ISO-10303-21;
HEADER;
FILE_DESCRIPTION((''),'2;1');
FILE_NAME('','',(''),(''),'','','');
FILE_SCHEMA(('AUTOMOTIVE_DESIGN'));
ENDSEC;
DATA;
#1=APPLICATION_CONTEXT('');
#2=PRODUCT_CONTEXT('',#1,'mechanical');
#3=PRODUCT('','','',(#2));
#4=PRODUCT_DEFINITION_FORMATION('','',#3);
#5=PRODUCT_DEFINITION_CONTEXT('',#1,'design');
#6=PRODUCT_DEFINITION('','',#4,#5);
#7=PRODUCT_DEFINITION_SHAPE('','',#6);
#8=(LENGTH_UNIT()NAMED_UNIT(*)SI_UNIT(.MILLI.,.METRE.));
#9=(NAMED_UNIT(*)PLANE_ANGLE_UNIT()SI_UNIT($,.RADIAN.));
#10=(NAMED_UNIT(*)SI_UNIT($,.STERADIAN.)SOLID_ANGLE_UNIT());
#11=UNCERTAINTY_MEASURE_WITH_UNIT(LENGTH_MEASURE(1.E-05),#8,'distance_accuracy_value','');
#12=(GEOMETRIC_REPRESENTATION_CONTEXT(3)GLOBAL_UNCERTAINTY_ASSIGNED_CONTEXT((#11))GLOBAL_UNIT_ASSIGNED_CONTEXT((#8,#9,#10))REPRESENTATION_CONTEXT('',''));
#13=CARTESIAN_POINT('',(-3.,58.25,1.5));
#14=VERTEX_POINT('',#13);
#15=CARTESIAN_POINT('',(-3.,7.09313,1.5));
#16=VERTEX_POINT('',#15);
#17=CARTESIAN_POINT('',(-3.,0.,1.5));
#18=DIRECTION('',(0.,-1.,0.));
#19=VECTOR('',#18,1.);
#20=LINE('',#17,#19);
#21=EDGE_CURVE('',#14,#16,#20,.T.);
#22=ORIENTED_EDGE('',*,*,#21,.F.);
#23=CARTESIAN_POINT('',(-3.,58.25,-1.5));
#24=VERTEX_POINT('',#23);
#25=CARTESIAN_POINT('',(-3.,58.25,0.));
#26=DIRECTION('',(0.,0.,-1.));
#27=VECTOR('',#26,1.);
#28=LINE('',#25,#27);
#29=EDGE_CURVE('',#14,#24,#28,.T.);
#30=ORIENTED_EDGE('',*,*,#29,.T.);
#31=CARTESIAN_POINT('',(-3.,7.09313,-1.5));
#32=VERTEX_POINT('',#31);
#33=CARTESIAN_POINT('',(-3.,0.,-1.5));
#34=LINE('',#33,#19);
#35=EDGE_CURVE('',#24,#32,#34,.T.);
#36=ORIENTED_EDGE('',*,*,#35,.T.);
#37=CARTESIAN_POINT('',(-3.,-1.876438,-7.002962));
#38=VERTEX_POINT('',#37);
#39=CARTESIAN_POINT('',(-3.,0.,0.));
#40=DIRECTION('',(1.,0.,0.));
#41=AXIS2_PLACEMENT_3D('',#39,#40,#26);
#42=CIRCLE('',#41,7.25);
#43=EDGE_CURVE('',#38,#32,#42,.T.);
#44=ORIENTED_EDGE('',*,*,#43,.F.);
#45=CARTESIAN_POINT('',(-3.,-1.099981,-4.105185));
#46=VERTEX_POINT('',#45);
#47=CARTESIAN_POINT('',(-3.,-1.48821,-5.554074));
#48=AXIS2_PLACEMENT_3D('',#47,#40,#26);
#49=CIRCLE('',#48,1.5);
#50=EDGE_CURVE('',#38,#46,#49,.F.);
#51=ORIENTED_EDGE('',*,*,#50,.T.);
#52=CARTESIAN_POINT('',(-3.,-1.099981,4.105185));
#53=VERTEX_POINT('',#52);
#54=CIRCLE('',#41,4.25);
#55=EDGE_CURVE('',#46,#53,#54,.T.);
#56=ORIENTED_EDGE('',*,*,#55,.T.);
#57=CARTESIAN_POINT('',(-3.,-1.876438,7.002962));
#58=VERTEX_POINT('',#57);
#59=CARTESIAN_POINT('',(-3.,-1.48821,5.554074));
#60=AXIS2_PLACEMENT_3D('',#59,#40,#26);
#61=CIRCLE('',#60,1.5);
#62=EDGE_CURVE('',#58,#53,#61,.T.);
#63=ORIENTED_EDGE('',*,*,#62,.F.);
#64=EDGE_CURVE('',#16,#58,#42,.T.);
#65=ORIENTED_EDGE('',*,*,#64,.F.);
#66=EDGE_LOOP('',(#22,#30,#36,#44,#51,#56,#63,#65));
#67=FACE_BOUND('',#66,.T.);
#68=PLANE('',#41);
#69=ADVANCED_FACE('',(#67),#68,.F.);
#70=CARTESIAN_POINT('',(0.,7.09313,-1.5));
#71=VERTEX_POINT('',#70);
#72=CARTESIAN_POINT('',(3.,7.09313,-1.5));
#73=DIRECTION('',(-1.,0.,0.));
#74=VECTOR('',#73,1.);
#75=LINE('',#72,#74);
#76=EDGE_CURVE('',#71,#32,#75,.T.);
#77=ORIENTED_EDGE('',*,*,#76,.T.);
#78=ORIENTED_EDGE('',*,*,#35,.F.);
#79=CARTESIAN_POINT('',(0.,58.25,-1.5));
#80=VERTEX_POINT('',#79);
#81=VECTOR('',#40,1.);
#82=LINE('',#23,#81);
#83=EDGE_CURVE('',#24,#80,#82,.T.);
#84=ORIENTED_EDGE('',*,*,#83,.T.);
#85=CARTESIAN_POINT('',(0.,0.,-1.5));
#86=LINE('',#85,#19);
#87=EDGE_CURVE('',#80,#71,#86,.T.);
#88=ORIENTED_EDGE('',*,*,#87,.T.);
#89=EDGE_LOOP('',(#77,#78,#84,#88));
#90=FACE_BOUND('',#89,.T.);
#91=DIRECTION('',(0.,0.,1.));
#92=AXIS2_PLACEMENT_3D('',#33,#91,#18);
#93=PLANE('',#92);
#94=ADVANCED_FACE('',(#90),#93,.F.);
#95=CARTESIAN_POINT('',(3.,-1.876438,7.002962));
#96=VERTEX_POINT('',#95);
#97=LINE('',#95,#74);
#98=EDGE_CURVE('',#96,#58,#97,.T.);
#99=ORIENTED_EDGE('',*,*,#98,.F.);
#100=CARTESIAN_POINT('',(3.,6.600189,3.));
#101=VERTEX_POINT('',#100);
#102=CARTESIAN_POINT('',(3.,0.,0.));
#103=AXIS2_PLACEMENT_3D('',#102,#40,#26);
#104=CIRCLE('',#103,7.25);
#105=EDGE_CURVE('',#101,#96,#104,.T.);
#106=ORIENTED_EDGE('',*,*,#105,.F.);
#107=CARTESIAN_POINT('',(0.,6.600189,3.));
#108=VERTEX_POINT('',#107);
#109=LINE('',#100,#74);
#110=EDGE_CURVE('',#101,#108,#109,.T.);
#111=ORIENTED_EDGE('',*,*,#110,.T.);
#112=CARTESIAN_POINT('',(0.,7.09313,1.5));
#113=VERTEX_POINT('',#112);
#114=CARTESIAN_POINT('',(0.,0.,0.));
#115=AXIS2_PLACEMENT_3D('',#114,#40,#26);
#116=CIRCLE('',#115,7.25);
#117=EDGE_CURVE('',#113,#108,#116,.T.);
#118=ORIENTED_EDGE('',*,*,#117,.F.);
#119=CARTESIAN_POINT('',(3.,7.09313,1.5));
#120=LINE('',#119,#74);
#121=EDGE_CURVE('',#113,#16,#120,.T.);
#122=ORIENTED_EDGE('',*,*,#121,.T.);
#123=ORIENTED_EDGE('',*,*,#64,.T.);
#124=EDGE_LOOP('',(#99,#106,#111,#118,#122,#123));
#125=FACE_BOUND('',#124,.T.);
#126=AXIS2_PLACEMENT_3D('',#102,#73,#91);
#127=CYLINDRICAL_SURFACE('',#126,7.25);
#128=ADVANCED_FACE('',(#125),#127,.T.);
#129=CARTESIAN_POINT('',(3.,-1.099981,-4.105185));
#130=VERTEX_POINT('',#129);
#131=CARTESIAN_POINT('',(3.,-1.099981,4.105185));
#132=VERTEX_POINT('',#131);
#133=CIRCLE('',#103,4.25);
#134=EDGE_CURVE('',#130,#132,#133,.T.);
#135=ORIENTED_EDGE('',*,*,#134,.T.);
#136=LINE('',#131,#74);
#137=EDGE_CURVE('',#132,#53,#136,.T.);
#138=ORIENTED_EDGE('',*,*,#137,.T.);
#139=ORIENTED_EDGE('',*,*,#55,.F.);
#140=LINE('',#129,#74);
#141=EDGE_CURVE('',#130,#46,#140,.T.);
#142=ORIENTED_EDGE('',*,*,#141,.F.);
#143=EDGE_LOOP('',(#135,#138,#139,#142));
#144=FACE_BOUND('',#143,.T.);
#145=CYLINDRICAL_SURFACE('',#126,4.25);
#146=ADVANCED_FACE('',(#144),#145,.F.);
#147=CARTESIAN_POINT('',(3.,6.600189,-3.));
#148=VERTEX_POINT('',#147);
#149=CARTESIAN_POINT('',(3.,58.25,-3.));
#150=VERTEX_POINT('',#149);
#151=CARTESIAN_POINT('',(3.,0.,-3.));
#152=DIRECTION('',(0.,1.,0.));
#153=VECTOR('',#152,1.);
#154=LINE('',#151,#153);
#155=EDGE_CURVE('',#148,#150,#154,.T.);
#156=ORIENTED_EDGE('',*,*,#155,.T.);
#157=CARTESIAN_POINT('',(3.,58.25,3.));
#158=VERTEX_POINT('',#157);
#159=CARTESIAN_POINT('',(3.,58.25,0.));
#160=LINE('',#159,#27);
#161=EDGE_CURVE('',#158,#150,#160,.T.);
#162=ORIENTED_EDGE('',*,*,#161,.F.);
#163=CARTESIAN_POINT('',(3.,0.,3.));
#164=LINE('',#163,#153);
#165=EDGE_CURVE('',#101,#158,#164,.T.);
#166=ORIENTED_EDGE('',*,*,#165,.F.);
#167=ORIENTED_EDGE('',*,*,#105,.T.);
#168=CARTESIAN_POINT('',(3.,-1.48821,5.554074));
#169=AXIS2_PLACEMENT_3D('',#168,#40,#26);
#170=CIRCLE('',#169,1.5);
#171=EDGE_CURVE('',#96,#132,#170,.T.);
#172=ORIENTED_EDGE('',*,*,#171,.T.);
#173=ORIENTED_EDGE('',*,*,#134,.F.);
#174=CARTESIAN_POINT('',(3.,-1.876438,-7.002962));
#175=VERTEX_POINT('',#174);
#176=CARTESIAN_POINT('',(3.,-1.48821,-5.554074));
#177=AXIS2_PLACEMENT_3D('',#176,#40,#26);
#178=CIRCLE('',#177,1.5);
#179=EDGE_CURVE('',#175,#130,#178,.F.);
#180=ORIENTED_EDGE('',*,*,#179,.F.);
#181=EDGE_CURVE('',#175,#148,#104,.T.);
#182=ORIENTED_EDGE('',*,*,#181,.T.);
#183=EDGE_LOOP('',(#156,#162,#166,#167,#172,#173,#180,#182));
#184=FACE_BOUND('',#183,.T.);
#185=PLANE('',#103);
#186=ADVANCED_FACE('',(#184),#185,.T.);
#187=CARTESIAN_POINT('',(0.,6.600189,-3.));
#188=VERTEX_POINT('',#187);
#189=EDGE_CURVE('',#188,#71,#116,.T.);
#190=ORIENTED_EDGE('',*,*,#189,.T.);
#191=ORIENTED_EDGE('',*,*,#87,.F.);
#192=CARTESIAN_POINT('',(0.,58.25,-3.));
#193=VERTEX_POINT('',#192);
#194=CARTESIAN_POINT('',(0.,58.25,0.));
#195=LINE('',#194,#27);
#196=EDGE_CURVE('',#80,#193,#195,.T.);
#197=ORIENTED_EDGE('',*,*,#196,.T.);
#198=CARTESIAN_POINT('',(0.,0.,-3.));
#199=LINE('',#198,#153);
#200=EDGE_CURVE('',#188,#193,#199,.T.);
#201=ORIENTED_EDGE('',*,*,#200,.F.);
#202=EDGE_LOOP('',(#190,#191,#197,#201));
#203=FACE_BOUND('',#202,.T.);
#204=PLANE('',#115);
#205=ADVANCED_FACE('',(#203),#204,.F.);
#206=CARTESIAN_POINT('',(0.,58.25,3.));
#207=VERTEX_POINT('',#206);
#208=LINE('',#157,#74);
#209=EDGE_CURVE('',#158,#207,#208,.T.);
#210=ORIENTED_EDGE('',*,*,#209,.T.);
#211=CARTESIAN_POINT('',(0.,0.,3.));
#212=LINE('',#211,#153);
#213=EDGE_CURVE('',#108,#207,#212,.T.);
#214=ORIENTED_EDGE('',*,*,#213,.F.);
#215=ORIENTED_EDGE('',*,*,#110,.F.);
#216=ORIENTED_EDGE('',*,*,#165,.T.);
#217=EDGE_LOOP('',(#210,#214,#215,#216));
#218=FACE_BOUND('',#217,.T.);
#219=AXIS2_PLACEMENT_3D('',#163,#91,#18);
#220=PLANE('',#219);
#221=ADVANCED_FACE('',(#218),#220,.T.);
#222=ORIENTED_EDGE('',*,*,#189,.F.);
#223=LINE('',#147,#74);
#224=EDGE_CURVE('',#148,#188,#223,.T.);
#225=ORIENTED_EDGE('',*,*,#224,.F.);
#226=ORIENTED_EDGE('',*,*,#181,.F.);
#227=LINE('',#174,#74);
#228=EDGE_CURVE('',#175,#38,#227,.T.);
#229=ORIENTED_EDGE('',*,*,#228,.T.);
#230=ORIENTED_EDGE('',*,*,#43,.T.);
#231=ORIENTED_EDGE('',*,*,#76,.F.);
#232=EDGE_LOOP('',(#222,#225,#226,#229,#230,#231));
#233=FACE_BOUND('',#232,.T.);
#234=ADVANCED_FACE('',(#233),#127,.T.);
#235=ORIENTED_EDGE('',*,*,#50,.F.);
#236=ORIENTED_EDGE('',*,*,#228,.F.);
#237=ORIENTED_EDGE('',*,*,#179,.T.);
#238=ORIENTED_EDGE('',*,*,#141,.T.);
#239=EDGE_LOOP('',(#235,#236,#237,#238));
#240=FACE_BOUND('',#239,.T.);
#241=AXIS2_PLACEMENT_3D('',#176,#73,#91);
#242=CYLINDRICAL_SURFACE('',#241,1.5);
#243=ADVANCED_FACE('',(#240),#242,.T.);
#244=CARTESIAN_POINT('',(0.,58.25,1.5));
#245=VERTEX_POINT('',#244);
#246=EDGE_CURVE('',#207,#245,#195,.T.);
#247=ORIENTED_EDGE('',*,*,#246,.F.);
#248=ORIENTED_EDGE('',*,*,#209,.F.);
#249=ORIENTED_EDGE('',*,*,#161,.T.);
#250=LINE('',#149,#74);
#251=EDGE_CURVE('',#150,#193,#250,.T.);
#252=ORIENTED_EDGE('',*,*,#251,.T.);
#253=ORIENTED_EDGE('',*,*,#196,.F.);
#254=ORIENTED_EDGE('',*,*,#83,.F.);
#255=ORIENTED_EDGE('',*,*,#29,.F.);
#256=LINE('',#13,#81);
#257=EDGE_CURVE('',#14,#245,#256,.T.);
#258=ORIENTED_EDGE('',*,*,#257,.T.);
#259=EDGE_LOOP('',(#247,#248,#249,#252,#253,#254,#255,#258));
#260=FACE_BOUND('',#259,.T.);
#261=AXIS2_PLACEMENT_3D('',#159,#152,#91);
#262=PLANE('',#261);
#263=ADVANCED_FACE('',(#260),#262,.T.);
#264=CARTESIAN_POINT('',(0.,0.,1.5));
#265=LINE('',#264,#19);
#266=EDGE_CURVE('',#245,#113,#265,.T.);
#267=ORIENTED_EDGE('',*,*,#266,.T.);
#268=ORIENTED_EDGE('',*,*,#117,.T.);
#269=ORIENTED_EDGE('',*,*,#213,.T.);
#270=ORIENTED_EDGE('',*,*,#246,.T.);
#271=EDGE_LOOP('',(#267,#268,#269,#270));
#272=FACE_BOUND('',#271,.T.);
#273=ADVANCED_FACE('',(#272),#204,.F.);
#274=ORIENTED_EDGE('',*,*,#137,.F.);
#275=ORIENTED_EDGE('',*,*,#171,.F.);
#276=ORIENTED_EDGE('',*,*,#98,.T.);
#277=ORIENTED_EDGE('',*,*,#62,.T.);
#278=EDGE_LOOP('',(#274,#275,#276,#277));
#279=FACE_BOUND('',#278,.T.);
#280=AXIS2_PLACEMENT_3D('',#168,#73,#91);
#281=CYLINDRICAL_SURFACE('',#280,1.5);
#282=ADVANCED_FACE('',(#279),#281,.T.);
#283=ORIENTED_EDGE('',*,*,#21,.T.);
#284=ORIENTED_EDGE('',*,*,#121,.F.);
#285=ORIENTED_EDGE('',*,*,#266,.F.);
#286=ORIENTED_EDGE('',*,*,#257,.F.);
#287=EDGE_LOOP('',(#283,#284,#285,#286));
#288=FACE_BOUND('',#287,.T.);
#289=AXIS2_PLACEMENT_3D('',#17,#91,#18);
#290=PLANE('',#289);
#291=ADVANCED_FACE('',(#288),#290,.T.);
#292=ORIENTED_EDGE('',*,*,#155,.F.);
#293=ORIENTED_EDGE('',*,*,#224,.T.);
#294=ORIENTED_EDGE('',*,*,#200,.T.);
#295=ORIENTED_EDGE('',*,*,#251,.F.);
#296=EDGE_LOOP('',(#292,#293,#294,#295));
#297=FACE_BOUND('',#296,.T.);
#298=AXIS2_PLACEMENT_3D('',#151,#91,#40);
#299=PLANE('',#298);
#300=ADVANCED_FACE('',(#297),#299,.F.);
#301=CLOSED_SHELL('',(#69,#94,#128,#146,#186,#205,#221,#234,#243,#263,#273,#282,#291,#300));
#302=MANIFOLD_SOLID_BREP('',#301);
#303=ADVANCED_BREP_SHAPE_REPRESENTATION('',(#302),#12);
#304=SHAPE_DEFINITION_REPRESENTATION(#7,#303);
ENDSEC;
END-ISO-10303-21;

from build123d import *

# Parameters (mm, degrees)
BOSS_EXTRUDE1_DEPTH      = 3
BOSS_EXTRUDE1_DEPTH_BACK = 3
BOSS_EXTRUDE2_DEPTH      = 3
BOSS_EXTRUDE3_DEPTH      = 3


with BuildPart() as part:
    # Sketch1 → Boss-Extrude1 (new, two sides: drawn at the far end of the back side and taken through both)
    with BuildSketch(Plane(origin=(0, 0, 0), x_dir=(0, 0, -1), z_dir=(1, 0, 0)).offset(-BOSS_EXTRUDE1_DEPTH_BACK)):
        with BuildLine():
            ThreePointArc((-4.105184762, -1.099980942), (0, 4.25), (4.105184762, -1.099980942))
            ThreePointArc((4.105184762, -1.099980942), (5.165844934, -2.937098249), (7.002962241, -1.876438077))
            ThreePointArc((7.002962241, -1.876438077), (0, 7.25), (-7.002962241, -1.876438077))
            ThreePointArc((-7.002962241, -1.876438077), (-5.165844934, -2.937098249), (-4.105184762, -1.099980942))
        make_face()
    extrude(amount=BOSS_EXTRUDE1_DEPTH + BOSS_EXTRUDE1_DEPTH_BACK)

    # Sketch2 → Boss-Extrude2 (add)
    with BuildSketch(Plane(origin=(0, 0, 0), x_dir=(0, 0, -1), z_dir=(1, 0, 0))):
        Polygon((-3, 5.25), (0, 5.25), (3, 5.25), (3, 58.25), (-3, 58.25), align=None)
    extrude(amount=BOSS_EXTRUDE2_DEPTH)

    # Sketch3 → Boss-Extrude3 (add)
    with BuildSketch(Plane(origin=(0, 0, 0), x_dir=(0, 0, -1), z_dir=(1, 0, 0))):
        Polygon((1.5, 58.25), (0, 58.25), (-1.5, 58.25), (-1.5, 5.25), (1.5, 5.25), align=None)
    extrude(amount=-BOSS_EXTRUDE3_DEPTH)


solid = part.part
